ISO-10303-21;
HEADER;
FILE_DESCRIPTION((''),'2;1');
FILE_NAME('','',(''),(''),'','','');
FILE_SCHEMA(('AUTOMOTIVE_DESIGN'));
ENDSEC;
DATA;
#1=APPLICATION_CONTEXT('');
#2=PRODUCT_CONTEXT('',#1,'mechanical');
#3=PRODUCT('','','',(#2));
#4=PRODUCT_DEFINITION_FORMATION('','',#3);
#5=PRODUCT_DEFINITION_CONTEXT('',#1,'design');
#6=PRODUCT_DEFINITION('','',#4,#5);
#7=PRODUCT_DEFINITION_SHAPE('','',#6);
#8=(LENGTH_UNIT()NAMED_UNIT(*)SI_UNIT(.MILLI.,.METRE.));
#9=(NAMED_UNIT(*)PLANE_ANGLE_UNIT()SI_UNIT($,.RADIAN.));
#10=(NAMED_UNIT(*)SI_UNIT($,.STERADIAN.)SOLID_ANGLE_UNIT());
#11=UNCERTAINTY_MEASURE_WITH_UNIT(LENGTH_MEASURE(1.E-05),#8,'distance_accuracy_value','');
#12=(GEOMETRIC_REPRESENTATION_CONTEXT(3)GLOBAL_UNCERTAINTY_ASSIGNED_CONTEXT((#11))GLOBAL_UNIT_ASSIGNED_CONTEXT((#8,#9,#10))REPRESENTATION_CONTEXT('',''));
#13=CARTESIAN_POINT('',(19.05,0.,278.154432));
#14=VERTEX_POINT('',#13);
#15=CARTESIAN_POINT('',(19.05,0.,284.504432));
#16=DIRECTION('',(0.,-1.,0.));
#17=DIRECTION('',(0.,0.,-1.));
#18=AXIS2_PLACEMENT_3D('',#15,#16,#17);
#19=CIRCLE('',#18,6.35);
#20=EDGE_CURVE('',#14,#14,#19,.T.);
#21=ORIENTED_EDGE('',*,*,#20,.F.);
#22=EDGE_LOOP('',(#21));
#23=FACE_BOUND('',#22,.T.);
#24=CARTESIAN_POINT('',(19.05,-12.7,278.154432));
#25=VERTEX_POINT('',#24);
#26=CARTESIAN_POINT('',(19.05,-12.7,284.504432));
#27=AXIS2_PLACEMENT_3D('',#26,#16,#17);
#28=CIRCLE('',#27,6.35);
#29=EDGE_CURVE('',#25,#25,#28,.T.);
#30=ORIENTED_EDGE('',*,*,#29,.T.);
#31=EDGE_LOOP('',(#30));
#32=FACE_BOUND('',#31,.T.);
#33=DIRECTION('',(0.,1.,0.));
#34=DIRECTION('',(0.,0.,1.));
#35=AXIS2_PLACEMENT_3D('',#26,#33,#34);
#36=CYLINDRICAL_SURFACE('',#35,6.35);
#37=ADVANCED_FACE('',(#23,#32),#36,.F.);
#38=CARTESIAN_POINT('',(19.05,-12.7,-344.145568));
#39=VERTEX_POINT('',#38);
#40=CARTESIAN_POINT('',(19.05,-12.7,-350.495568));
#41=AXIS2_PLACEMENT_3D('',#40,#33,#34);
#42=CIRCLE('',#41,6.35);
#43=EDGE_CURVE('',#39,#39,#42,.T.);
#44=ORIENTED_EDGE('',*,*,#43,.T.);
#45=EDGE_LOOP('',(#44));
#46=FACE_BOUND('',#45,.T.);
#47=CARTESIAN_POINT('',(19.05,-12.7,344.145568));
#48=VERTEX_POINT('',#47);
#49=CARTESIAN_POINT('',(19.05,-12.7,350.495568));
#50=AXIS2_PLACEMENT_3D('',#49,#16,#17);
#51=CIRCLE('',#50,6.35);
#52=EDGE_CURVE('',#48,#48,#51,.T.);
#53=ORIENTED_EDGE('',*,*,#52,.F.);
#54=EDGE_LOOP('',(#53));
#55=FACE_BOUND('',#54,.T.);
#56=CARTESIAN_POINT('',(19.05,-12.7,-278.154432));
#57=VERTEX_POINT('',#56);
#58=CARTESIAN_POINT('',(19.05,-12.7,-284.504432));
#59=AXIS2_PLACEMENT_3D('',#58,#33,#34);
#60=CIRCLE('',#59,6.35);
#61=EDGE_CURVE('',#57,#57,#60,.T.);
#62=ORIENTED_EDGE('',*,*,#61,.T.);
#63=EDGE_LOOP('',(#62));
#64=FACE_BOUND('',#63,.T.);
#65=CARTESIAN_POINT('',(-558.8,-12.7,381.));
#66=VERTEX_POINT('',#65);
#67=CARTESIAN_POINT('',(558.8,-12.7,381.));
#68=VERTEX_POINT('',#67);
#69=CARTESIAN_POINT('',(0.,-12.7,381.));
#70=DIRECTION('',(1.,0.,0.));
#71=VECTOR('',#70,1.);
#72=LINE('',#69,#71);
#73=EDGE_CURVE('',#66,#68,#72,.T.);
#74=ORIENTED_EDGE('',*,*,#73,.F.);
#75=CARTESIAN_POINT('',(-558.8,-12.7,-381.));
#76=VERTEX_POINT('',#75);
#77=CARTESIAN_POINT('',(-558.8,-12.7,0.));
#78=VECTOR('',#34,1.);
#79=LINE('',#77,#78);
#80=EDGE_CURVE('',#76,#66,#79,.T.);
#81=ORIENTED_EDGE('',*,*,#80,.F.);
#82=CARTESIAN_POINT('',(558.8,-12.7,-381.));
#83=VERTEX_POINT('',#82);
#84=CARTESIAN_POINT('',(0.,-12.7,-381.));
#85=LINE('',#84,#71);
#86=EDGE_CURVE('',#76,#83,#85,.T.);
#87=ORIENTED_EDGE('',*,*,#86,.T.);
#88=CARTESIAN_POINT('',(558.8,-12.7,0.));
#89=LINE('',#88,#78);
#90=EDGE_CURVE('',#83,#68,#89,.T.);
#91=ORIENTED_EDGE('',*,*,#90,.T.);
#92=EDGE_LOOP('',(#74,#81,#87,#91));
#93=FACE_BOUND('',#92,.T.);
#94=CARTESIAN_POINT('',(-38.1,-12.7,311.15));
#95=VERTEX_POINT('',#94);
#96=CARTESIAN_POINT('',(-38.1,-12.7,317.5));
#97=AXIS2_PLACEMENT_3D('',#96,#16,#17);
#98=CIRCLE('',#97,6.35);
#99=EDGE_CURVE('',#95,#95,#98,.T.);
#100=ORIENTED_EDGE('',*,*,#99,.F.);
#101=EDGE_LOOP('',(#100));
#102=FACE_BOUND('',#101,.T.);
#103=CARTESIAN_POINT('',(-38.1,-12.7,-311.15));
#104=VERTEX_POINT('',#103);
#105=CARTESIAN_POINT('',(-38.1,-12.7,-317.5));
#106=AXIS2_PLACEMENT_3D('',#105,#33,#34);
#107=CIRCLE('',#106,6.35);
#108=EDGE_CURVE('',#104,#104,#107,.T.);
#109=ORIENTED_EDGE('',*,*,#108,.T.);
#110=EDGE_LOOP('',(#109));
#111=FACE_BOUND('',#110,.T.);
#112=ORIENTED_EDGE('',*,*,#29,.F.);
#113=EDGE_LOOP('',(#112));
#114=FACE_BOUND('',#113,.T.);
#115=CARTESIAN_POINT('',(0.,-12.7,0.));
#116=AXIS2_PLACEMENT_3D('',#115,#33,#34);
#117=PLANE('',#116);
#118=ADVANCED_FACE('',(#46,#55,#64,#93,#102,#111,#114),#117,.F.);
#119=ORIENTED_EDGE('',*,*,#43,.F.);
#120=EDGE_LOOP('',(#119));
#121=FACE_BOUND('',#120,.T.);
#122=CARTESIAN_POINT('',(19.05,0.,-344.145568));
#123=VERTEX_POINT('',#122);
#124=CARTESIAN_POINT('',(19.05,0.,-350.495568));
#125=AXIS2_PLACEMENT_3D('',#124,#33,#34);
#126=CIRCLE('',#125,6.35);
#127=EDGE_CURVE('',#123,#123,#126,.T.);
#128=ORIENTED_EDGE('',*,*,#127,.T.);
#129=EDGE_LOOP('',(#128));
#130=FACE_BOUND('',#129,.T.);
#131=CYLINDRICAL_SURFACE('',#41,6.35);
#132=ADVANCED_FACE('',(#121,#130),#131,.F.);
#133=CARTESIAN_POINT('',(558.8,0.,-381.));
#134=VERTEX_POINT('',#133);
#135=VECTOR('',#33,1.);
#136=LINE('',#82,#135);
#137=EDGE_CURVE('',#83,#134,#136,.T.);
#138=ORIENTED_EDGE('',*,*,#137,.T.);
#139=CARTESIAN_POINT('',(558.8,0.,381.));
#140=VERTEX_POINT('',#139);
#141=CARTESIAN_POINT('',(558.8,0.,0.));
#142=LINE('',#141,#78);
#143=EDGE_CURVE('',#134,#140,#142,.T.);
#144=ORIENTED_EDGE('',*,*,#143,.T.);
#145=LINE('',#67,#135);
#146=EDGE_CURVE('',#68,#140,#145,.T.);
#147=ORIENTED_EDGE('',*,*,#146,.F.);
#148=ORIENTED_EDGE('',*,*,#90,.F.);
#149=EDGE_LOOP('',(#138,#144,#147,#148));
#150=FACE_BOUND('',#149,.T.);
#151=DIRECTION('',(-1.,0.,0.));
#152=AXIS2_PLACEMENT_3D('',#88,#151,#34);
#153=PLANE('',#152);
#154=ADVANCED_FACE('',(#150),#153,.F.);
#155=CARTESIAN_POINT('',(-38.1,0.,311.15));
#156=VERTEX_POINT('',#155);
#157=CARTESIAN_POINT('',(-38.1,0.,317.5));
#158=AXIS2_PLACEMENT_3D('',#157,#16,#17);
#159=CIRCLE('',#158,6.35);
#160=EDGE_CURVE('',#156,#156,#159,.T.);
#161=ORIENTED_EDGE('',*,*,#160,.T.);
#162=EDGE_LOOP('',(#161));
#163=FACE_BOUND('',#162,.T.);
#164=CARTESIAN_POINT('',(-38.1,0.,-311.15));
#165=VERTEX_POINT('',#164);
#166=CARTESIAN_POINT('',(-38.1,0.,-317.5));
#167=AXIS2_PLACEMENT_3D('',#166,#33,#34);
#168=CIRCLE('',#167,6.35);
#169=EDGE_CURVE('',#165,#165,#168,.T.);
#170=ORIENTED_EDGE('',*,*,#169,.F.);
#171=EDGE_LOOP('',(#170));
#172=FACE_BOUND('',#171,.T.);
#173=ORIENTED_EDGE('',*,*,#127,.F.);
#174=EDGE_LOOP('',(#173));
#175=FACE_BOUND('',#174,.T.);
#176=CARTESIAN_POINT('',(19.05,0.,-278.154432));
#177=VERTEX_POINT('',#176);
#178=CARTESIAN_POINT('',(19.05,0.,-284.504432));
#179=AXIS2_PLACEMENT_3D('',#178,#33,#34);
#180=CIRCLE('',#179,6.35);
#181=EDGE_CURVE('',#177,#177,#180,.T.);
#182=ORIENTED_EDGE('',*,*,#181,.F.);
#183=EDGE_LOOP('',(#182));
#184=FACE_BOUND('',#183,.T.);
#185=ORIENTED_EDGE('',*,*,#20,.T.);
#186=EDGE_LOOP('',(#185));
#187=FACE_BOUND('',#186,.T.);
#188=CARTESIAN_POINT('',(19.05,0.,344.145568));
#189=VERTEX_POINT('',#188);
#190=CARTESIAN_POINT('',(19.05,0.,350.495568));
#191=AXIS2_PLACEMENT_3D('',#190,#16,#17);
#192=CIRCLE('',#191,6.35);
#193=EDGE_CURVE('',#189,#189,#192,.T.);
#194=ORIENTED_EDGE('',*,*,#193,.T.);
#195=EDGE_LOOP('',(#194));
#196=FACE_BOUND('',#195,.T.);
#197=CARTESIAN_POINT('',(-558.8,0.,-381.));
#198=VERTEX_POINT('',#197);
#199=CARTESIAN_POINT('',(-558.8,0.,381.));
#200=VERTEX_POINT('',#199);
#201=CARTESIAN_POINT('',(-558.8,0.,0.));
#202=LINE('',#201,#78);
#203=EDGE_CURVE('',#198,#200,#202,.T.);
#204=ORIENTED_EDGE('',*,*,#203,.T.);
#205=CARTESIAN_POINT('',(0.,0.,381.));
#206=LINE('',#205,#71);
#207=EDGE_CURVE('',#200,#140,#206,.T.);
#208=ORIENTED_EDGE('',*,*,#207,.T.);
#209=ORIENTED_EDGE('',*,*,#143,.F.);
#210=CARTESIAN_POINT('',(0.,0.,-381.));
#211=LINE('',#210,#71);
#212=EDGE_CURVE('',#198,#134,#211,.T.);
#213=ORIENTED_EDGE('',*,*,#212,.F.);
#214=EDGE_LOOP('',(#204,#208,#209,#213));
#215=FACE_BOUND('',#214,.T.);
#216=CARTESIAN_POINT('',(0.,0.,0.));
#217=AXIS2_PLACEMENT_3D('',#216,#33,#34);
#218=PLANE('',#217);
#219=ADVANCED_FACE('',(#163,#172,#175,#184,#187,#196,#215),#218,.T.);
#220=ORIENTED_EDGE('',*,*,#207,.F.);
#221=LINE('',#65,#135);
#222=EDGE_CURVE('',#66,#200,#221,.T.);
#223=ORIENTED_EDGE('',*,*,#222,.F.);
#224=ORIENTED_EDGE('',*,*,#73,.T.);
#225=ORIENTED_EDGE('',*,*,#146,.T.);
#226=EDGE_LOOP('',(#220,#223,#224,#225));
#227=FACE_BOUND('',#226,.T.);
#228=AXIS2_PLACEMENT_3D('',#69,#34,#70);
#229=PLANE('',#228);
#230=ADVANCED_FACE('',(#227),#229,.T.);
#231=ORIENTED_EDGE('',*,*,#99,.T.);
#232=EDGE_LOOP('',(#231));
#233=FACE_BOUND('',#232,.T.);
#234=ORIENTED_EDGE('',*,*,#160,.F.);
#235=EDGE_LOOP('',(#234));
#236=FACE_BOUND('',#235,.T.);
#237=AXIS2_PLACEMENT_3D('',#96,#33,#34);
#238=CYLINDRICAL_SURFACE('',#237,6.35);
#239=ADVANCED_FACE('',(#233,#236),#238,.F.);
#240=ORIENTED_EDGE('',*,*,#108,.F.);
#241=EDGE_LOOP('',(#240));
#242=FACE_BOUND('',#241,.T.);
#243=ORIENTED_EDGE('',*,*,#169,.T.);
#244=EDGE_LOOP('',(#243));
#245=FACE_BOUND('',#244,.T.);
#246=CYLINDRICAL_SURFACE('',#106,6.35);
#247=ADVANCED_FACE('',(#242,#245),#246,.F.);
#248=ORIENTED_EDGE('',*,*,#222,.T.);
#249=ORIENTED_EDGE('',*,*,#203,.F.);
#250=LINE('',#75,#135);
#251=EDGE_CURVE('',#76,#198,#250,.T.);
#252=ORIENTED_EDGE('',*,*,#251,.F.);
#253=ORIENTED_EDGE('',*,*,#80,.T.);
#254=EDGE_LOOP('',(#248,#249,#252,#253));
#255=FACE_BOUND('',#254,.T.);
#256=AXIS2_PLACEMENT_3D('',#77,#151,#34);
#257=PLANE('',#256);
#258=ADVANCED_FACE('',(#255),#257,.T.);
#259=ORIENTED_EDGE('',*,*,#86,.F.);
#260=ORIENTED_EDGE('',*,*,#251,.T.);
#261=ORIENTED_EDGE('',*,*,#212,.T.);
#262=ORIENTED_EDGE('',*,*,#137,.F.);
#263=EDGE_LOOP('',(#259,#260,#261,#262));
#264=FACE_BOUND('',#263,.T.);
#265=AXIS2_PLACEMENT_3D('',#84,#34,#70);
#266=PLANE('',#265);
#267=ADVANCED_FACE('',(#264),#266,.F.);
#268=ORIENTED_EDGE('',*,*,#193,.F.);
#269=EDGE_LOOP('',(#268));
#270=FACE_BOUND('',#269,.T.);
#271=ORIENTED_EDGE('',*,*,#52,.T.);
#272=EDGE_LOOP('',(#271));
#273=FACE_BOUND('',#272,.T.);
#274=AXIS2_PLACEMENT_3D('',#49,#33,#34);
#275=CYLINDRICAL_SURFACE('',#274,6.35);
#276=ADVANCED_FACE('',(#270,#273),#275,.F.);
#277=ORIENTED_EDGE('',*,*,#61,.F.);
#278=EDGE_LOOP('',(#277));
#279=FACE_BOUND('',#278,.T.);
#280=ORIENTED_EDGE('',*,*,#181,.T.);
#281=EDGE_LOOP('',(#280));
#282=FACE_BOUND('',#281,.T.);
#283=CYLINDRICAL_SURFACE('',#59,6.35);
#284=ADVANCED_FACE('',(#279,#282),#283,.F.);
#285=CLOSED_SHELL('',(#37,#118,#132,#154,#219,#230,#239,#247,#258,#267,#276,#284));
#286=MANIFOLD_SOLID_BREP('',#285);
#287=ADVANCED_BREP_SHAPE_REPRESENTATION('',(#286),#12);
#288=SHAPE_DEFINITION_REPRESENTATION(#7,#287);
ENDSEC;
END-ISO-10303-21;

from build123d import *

# Parameters (mm, degrees)
SKETCH1_W           = 1117.6
SKETCH1_H           = 762
BOSS_EXTRUDE3_DEPTH = 12.7
SKETCH3_R           = 6.35
CUT_EXTRUDE1_DEPTH  = 12.7


with BuildPart() as part:
    # Sketch1 → Boss-Extrude3 (new body)
    with BuildSketch(Plane(origin=(0, 0, 0), x_dir=(1, 0, 0), z_dir=(0, 1, 0))):
        Rectangle(SKETCH1_W, SKETCH1_H)
    extrude(amount=-BOSS_EXTRUDE3_DEPTH)

    # Sketch3 → Cut-Extrude1 (cut)
    with BuildSketch(Plane(origin=(0, 0, 0), x_dir=(1, 0, 0), z_dir=(0, 1, 0))):
        with Locations((-38.1, 317.5)):
            Circle(SKETCH3_R)
        with Locations((19.05, 350.495567884)):
            Circle(SKETCH3_R)
        with Locations((19.05, 284.504432116)):
            Circle(SKETCH3_R)
        with Locations((19.05, -350.495567884)):
            Circle(SKETCH3_R)
        with Locations((19.05, -284.504432116)):
            Circle(SKETCH3_R)
        with Locations((-38.1, -317.5)):
            Circle(SKETCH3_R)
    extrude(amount=-CUT_EXTRUDE1_DEPTH, mode=Mode.SUBTRACT)


solid = part.part
